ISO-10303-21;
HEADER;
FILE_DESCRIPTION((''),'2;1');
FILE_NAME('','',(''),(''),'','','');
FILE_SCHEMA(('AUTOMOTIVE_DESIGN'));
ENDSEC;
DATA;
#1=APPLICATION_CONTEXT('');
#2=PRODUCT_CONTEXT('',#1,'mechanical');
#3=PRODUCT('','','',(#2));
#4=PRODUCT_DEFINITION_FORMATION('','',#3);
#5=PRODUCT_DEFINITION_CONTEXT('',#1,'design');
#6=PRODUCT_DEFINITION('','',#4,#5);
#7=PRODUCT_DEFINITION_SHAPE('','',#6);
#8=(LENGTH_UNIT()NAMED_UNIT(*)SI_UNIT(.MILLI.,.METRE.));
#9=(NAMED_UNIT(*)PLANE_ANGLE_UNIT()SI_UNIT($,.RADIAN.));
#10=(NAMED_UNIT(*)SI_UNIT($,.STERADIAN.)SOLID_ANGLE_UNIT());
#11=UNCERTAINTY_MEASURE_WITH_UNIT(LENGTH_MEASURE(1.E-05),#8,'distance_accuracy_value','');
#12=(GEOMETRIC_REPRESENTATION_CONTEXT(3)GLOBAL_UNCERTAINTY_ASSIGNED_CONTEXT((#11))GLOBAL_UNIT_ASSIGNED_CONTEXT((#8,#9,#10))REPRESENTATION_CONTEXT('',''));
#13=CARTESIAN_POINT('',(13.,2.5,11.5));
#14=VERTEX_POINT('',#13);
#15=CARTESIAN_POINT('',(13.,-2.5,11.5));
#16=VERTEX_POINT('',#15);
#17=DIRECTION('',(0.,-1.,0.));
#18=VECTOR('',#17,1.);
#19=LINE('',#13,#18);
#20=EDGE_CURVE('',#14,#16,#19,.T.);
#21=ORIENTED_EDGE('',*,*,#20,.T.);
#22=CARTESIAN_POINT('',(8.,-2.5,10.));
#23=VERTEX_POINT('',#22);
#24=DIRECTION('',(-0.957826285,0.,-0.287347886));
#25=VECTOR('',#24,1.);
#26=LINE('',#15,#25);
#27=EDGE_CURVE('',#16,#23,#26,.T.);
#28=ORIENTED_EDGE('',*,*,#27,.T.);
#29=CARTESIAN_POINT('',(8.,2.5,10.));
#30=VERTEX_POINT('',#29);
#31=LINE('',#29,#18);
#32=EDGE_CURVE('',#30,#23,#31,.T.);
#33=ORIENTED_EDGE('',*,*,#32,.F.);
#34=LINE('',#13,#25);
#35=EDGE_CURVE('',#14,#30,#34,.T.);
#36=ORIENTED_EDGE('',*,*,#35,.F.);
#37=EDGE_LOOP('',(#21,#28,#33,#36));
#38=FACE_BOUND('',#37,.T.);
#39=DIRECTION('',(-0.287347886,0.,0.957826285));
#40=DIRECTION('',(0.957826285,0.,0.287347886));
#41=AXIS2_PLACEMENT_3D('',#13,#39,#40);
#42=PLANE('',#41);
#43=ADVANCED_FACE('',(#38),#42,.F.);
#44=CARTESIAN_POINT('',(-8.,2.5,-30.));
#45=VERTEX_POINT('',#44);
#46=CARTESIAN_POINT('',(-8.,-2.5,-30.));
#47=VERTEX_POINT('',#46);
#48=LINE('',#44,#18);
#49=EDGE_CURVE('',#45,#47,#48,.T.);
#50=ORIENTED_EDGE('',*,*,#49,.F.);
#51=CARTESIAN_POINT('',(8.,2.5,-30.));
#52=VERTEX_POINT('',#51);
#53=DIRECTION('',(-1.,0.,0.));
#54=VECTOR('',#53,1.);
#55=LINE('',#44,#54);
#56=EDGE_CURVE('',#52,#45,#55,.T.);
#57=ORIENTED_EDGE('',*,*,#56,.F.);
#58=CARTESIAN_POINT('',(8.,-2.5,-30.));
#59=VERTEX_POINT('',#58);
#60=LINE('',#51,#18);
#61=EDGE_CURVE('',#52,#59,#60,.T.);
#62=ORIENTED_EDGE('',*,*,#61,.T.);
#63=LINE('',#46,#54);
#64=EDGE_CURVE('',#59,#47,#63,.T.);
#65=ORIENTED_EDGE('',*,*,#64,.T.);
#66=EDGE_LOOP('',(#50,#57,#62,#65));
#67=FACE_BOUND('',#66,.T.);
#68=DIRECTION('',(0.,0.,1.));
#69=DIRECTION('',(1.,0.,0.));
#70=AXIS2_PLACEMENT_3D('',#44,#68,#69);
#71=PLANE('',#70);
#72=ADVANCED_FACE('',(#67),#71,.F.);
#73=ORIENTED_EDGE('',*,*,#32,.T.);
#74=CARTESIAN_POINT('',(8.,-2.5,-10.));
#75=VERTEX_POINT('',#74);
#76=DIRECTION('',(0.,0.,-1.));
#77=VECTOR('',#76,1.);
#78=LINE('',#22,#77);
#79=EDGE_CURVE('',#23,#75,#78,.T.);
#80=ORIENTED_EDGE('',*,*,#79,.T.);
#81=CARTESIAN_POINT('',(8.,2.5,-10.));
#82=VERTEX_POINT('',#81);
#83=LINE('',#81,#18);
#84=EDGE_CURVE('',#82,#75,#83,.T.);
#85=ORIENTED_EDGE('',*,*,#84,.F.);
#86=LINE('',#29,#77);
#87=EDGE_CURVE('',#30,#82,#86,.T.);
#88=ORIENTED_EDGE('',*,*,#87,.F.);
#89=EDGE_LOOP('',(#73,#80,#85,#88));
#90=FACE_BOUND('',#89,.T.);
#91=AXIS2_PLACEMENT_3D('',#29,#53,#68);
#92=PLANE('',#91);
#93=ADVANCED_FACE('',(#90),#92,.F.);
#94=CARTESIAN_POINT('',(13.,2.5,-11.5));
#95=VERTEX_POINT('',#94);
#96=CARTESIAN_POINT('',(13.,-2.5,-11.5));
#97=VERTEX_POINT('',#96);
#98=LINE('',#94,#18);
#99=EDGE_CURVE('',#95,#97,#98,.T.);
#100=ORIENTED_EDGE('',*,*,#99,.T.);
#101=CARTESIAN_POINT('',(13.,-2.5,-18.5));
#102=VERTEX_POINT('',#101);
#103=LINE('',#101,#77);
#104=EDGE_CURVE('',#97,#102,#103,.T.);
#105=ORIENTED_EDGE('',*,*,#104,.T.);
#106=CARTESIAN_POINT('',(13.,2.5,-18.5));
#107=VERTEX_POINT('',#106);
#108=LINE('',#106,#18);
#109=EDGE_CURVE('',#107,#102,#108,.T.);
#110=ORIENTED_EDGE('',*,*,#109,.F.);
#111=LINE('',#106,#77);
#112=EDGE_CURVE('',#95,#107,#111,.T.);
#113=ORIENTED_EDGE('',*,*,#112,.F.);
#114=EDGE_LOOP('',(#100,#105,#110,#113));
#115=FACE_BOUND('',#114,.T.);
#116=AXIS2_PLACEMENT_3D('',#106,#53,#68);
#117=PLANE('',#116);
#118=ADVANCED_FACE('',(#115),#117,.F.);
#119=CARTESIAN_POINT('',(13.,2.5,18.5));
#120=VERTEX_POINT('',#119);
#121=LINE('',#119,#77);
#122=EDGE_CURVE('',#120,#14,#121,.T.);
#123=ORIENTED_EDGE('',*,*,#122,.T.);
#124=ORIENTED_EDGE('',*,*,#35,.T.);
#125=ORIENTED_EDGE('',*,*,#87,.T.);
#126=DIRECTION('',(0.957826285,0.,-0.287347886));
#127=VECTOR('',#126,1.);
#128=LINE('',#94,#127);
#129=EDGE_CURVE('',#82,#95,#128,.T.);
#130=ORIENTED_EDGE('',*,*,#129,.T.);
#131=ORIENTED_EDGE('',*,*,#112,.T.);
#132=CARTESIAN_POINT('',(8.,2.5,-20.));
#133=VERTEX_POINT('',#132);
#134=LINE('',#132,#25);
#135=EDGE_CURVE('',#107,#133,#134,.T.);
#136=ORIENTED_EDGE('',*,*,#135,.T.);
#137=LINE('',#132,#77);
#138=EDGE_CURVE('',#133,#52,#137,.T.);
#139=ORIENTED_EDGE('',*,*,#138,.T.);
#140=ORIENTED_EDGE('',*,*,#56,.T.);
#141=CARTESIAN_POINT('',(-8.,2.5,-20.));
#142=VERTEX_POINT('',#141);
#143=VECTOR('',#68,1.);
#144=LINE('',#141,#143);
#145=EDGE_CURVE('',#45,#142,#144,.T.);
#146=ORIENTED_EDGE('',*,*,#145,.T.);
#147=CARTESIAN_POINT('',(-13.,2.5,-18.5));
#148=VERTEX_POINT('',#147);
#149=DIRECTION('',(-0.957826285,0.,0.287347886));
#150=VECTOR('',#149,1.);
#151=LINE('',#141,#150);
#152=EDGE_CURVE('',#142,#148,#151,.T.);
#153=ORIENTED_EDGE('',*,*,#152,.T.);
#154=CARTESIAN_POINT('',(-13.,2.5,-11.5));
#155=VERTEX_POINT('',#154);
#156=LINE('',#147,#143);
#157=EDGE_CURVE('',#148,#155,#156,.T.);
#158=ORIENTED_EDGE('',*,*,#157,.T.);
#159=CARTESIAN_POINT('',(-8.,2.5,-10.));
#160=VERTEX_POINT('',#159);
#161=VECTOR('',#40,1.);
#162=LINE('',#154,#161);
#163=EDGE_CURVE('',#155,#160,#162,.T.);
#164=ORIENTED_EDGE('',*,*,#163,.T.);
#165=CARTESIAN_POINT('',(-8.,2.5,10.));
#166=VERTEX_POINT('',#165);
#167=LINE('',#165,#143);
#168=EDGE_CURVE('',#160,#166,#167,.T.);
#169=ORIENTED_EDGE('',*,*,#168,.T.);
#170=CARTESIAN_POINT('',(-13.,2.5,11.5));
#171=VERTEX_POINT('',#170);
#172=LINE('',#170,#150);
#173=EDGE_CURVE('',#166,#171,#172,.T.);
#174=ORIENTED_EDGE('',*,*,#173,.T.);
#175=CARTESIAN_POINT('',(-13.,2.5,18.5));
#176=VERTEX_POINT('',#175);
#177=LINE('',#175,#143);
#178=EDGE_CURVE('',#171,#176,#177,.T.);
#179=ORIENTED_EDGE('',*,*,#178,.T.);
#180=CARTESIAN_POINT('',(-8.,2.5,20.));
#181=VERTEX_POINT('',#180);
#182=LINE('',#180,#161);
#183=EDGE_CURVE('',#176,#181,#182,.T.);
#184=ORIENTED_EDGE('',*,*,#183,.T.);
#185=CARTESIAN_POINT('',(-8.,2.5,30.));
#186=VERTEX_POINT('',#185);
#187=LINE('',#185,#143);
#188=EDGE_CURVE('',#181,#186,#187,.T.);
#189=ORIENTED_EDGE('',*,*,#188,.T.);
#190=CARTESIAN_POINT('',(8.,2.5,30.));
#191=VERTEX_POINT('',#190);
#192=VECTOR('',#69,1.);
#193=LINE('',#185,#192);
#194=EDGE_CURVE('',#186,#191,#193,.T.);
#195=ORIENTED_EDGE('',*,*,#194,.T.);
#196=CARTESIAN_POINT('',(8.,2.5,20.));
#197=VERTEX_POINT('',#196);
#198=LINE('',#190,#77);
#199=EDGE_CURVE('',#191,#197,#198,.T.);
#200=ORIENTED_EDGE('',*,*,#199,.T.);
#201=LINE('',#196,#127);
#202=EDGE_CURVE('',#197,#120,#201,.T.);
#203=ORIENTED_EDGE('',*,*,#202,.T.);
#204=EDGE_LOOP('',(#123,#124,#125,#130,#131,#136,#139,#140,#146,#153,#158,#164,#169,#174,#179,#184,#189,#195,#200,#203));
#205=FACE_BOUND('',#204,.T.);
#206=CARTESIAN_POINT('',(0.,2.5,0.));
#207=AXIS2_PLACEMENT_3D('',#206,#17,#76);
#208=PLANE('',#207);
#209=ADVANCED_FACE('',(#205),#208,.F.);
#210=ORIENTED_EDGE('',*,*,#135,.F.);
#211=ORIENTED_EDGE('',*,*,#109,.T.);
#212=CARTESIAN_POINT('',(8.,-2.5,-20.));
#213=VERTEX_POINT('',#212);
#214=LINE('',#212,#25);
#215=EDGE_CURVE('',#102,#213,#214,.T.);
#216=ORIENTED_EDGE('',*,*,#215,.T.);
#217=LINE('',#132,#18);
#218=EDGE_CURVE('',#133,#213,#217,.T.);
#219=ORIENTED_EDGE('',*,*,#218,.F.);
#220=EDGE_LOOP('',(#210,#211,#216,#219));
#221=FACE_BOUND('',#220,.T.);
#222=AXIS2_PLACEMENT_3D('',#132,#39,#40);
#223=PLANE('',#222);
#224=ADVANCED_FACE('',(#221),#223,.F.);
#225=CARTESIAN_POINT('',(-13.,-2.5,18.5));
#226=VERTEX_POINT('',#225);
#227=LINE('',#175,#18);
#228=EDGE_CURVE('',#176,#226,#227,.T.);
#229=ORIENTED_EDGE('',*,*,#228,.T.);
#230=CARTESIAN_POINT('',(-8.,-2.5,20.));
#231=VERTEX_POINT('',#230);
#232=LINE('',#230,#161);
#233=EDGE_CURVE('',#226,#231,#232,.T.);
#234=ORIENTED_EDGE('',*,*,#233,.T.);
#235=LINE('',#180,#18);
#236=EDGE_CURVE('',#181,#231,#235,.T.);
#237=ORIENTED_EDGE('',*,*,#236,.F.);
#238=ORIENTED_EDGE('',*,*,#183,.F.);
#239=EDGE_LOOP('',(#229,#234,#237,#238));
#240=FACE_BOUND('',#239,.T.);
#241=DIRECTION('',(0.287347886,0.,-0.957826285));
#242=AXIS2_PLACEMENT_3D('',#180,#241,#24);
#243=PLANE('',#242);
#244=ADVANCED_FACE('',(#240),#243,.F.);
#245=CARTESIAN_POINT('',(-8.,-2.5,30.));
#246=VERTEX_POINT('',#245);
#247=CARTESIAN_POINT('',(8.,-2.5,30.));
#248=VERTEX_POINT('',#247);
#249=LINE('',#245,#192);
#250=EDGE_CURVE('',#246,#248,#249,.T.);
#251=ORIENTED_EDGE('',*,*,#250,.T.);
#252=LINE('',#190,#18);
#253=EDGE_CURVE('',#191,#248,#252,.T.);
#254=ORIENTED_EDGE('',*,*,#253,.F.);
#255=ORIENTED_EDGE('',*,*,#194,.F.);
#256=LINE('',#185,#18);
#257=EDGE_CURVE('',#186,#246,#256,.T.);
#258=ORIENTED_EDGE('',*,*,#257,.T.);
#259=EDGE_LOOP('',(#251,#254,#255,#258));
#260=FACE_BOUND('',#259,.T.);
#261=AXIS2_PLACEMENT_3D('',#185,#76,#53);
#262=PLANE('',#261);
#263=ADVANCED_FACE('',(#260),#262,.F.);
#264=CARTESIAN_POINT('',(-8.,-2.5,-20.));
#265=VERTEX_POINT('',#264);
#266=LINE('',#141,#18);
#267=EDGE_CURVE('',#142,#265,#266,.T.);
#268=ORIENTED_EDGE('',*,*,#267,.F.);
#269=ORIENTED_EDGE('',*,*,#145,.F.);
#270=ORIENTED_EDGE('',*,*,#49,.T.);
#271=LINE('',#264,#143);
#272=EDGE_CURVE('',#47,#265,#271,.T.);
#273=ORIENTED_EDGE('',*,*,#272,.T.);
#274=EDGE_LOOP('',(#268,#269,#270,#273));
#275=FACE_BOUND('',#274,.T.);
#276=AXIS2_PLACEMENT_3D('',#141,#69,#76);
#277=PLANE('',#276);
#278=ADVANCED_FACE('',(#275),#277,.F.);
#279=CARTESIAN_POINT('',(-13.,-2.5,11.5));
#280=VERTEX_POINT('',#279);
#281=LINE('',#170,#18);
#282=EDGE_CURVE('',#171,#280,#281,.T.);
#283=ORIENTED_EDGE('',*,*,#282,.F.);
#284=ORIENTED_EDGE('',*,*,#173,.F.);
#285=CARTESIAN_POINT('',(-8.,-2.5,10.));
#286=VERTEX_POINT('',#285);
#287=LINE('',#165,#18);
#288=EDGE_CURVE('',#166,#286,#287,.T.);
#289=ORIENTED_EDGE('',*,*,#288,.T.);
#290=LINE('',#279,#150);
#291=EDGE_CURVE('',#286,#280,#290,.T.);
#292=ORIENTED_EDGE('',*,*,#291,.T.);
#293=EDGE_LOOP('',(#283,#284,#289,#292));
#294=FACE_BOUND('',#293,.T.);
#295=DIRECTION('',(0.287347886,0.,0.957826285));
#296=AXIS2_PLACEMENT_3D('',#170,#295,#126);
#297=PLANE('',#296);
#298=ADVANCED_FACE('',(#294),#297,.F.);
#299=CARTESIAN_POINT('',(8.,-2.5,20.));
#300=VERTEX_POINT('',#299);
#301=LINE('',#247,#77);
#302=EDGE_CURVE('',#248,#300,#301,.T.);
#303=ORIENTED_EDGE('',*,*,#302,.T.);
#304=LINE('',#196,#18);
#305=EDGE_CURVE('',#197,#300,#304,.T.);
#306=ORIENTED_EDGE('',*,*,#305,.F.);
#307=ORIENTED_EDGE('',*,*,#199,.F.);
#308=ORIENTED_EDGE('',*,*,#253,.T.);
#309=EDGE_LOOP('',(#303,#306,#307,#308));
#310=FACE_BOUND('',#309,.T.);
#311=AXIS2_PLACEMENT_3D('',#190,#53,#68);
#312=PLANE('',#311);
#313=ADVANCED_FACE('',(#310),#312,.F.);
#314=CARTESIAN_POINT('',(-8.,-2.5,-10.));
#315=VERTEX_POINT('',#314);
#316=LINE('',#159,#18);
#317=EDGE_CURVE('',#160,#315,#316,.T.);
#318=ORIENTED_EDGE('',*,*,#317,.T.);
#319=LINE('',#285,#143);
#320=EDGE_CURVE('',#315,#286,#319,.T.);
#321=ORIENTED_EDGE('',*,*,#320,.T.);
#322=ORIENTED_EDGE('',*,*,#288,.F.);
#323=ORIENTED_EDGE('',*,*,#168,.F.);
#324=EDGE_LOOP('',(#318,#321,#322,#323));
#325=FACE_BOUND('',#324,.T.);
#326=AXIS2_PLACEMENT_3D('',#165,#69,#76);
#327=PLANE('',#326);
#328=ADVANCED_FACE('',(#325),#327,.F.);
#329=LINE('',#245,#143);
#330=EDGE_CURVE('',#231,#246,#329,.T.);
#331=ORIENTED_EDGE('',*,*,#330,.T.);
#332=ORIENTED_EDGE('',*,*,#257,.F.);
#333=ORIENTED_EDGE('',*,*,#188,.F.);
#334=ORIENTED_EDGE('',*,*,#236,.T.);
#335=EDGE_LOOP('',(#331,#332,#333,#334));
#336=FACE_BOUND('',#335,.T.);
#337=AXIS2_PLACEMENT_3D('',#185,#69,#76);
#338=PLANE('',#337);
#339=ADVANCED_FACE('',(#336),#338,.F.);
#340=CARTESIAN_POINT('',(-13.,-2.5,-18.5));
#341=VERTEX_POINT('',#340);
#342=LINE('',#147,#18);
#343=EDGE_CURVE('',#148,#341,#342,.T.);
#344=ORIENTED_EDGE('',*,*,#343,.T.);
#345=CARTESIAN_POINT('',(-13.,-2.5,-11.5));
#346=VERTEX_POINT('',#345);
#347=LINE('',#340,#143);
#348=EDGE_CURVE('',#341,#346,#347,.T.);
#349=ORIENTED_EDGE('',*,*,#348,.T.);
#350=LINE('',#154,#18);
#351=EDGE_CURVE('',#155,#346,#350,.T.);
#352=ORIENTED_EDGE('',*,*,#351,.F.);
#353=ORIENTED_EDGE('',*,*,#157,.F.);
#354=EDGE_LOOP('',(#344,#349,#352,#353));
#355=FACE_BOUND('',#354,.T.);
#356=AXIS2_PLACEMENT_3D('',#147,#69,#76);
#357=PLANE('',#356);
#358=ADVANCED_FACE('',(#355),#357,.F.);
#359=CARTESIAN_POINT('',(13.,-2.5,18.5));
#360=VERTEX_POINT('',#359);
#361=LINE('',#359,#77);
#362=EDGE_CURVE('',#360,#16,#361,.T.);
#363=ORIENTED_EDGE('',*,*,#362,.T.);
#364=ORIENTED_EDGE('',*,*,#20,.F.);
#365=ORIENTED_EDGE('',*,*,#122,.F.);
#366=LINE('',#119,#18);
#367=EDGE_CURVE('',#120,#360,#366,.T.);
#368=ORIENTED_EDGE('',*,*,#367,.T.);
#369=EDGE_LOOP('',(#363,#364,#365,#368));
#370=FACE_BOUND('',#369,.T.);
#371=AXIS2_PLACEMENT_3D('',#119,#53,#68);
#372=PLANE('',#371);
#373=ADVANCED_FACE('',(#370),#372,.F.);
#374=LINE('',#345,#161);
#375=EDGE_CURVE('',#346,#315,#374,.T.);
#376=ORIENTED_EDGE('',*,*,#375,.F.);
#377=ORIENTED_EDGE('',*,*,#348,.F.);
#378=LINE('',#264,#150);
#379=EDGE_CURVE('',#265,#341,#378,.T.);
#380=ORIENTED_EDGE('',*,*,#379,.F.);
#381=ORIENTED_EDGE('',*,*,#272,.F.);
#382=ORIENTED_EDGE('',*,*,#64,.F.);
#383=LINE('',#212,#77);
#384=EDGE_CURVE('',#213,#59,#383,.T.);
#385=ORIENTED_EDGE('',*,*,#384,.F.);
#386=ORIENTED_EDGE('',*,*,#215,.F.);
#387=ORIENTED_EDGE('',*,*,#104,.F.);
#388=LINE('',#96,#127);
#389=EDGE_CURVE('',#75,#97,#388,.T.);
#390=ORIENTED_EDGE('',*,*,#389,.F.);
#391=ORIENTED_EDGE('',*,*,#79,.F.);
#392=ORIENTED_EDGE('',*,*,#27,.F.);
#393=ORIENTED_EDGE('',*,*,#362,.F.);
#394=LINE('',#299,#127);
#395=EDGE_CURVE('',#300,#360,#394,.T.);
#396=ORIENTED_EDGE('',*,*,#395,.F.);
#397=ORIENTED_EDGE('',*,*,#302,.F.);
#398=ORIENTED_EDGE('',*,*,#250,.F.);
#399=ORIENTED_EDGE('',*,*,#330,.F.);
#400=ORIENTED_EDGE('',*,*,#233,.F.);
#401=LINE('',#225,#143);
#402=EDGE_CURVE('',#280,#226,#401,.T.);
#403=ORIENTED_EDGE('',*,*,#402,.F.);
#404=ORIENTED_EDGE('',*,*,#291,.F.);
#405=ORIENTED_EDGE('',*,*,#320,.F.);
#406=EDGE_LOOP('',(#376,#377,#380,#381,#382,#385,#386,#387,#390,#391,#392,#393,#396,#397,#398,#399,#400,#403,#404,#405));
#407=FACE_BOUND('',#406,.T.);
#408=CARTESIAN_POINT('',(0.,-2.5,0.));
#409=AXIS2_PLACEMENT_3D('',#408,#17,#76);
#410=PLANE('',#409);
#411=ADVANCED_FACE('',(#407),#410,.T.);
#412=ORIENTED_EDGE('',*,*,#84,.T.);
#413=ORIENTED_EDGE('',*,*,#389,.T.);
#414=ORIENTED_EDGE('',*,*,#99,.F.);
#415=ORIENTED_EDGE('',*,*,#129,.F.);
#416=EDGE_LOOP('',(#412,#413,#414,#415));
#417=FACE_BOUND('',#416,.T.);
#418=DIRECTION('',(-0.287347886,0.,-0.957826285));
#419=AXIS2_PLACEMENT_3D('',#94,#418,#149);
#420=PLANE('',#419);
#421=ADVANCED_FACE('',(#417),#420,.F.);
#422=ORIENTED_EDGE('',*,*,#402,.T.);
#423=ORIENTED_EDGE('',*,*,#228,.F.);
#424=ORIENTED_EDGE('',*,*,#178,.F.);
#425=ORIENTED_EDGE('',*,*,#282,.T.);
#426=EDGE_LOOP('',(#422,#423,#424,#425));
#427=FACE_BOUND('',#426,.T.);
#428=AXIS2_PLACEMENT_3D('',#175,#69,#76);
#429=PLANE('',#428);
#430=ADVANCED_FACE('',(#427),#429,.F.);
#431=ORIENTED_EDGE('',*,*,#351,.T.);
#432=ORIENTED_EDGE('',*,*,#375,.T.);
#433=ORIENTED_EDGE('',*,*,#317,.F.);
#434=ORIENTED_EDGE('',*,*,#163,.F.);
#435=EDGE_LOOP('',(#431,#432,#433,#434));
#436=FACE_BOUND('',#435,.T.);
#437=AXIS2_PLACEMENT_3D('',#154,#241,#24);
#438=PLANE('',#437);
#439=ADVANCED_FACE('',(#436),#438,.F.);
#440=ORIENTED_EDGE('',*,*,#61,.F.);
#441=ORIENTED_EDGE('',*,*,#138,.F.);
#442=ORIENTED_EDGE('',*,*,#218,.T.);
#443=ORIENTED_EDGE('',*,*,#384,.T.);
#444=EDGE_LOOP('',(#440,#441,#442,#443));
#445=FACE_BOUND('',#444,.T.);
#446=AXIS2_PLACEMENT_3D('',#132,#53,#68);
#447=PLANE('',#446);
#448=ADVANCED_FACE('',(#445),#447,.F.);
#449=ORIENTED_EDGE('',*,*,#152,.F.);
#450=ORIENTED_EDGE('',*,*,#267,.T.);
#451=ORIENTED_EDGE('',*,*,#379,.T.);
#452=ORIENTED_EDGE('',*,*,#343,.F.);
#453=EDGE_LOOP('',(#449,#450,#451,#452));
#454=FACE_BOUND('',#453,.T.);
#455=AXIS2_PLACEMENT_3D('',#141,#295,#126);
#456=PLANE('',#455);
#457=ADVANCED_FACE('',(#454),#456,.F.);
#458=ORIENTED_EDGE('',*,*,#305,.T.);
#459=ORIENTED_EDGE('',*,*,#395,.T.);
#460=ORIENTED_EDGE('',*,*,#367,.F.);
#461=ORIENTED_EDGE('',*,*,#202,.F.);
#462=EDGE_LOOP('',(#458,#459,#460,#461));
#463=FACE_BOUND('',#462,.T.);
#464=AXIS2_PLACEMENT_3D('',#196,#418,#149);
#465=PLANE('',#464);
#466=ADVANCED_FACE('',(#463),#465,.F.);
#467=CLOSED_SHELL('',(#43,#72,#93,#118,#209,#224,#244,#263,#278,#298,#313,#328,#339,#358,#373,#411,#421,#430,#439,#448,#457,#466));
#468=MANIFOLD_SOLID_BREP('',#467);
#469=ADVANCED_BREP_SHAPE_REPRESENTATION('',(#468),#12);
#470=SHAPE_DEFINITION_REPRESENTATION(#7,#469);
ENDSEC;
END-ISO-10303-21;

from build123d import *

# Parameters (mm, degrees)
BOSS_EXTRUDE1_DEPTH = 2.5


with BuildPart() as part:
    # Sketch1 → Boss-Extrude1 (new, symmetric)
    with BuildSketch(Plane(origin=(0, 0, 0), x_dir=(1, 0, 0), z_dir=(0, 1, 0))):
        Polygon((-8, -30), (8, -30), (8, -20), (13, -18.5), (13, -11.5), (8, -10), (8, 10), (13, 11.5), (13, 18.5), (8, 20), (8, 30), (-8, 30), (-8, 20), (-13, 18.5), (-13, 11.5), (-8, 10), (-8, -10), (-13, -11.5), (-13, -18.5), (-8, -20), align=None)
    extrude(amount=BOSS_EXTRUDE1_DEPTH, both=True)


solid = part.part
